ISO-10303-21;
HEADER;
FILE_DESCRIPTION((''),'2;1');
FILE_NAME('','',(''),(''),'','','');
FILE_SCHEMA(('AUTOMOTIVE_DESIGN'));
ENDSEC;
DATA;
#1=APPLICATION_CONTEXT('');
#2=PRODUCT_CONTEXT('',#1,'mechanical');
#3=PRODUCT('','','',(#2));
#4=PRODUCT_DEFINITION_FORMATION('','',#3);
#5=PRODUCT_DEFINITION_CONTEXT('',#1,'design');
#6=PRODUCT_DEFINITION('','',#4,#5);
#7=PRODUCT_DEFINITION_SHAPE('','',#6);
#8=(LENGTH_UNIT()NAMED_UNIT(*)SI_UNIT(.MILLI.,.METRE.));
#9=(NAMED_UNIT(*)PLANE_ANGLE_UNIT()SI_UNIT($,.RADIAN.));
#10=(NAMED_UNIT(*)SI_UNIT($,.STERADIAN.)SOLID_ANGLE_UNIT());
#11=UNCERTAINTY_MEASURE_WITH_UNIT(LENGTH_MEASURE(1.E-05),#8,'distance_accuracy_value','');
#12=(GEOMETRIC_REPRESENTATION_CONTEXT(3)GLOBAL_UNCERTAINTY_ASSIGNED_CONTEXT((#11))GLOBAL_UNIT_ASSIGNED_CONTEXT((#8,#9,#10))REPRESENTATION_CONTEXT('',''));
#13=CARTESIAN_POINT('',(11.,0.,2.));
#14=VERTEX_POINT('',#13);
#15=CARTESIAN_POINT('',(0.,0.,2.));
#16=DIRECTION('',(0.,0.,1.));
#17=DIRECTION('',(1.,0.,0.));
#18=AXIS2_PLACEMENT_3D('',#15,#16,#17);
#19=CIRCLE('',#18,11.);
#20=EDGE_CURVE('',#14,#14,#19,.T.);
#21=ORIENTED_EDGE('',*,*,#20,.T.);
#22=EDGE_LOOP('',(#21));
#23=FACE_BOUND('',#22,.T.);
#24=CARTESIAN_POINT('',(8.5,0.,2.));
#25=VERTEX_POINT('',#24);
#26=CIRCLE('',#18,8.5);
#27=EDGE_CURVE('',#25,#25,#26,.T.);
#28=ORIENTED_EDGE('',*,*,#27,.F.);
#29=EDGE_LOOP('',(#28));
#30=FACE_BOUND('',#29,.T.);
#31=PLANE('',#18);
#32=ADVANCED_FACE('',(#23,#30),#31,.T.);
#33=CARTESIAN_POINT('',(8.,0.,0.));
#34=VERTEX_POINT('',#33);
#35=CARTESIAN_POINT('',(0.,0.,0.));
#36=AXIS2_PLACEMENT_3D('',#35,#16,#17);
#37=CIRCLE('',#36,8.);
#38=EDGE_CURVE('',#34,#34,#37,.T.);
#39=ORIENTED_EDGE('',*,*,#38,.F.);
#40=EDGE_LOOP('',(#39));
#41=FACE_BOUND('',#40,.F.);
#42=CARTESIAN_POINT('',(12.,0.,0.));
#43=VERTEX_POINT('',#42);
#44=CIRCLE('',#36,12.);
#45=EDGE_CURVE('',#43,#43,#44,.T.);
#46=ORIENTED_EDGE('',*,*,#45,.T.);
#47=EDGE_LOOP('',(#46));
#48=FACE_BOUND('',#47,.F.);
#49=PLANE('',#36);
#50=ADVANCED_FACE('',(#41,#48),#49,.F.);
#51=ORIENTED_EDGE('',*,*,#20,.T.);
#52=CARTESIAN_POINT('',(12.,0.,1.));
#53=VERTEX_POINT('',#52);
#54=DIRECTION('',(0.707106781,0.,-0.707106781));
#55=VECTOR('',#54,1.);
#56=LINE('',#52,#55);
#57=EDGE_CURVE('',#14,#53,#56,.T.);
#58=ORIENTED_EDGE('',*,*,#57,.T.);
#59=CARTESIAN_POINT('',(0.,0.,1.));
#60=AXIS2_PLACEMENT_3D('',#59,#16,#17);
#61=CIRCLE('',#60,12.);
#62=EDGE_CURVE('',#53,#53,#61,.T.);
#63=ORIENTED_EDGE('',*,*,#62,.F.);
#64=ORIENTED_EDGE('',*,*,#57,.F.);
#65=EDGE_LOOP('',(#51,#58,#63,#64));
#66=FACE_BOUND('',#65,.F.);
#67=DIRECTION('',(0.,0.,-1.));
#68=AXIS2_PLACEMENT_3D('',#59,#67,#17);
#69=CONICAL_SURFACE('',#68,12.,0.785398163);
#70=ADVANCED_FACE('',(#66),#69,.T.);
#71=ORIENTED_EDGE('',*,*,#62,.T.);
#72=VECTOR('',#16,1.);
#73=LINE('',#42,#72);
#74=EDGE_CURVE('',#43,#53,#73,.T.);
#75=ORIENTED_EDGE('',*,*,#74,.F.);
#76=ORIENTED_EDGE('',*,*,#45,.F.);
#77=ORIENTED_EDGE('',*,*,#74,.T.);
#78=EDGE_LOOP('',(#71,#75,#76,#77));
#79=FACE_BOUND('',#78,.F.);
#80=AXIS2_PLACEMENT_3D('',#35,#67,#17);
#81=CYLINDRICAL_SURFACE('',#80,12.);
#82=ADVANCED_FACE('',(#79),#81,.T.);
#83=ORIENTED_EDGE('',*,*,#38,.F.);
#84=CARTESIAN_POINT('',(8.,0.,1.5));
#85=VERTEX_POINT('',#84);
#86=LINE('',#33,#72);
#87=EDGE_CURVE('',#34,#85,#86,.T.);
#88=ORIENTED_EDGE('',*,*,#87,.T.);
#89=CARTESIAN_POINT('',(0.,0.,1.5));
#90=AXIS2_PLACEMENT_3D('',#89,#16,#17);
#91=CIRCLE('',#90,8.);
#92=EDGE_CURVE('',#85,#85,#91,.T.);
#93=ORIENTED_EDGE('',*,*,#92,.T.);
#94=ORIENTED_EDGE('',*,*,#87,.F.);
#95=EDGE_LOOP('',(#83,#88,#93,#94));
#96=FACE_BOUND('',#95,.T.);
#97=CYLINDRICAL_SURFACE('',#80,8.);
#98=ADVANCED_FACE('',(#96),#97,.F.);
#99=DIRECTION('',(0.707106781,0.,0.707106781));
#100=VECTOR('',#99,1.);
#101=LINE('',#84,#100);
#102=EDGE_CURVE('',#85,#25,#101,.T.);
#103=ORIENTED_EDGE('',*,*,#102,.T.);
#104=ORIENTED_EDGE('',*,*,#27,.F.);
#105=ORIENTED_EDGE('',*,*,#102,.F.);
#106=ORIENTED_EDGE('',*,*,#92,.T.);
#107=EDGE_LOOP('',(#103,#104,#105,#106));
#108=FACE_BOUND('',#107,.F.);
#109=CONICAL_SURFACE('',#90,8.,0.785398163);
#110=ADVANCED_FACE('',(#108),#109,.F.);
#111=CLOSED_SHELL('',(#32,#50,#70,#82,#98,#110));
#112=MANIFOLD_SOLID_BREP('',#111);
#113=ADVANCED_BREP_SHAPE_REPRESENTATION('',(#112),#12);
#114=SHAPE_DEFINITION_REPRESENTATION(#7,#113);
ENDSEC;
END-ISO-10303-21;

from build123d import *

# Parameters (mm, degrees)
SKETCH_R        = 12
SKETCH_R_2      = 8
PAD_DEPTH       = 2
CHAMFER_SIZE    = 0.5
CHAMFER001_SIZE = 1


with BuildPart() as part:
    # Sketch → Pad (new body)
    with BuildSketch(Plane.XY):
        Circle(SKETCH_R)
        Circle(SKETCH_R_2, mode=Mode.SUBTRACT)
    extrude(amount=PAD_DEPTH)

    # Chamfer
    chamfer_edges = [part.edges().sort_by_distance(p)[0] for p in [
        (-8, 0, 2),
    ]]
    chamfer(chamfer_edges, length=CHAMFER_SIZE)

    # Chamfer001
    chamfer001_edges = [part.edges().sort_by_distance(p)[0] for p in [
        (-12, 0, 2),
    ]]
    chamfer(chamfer001_edges, length=CHAMFER001_SIZE)


solid = part.part
